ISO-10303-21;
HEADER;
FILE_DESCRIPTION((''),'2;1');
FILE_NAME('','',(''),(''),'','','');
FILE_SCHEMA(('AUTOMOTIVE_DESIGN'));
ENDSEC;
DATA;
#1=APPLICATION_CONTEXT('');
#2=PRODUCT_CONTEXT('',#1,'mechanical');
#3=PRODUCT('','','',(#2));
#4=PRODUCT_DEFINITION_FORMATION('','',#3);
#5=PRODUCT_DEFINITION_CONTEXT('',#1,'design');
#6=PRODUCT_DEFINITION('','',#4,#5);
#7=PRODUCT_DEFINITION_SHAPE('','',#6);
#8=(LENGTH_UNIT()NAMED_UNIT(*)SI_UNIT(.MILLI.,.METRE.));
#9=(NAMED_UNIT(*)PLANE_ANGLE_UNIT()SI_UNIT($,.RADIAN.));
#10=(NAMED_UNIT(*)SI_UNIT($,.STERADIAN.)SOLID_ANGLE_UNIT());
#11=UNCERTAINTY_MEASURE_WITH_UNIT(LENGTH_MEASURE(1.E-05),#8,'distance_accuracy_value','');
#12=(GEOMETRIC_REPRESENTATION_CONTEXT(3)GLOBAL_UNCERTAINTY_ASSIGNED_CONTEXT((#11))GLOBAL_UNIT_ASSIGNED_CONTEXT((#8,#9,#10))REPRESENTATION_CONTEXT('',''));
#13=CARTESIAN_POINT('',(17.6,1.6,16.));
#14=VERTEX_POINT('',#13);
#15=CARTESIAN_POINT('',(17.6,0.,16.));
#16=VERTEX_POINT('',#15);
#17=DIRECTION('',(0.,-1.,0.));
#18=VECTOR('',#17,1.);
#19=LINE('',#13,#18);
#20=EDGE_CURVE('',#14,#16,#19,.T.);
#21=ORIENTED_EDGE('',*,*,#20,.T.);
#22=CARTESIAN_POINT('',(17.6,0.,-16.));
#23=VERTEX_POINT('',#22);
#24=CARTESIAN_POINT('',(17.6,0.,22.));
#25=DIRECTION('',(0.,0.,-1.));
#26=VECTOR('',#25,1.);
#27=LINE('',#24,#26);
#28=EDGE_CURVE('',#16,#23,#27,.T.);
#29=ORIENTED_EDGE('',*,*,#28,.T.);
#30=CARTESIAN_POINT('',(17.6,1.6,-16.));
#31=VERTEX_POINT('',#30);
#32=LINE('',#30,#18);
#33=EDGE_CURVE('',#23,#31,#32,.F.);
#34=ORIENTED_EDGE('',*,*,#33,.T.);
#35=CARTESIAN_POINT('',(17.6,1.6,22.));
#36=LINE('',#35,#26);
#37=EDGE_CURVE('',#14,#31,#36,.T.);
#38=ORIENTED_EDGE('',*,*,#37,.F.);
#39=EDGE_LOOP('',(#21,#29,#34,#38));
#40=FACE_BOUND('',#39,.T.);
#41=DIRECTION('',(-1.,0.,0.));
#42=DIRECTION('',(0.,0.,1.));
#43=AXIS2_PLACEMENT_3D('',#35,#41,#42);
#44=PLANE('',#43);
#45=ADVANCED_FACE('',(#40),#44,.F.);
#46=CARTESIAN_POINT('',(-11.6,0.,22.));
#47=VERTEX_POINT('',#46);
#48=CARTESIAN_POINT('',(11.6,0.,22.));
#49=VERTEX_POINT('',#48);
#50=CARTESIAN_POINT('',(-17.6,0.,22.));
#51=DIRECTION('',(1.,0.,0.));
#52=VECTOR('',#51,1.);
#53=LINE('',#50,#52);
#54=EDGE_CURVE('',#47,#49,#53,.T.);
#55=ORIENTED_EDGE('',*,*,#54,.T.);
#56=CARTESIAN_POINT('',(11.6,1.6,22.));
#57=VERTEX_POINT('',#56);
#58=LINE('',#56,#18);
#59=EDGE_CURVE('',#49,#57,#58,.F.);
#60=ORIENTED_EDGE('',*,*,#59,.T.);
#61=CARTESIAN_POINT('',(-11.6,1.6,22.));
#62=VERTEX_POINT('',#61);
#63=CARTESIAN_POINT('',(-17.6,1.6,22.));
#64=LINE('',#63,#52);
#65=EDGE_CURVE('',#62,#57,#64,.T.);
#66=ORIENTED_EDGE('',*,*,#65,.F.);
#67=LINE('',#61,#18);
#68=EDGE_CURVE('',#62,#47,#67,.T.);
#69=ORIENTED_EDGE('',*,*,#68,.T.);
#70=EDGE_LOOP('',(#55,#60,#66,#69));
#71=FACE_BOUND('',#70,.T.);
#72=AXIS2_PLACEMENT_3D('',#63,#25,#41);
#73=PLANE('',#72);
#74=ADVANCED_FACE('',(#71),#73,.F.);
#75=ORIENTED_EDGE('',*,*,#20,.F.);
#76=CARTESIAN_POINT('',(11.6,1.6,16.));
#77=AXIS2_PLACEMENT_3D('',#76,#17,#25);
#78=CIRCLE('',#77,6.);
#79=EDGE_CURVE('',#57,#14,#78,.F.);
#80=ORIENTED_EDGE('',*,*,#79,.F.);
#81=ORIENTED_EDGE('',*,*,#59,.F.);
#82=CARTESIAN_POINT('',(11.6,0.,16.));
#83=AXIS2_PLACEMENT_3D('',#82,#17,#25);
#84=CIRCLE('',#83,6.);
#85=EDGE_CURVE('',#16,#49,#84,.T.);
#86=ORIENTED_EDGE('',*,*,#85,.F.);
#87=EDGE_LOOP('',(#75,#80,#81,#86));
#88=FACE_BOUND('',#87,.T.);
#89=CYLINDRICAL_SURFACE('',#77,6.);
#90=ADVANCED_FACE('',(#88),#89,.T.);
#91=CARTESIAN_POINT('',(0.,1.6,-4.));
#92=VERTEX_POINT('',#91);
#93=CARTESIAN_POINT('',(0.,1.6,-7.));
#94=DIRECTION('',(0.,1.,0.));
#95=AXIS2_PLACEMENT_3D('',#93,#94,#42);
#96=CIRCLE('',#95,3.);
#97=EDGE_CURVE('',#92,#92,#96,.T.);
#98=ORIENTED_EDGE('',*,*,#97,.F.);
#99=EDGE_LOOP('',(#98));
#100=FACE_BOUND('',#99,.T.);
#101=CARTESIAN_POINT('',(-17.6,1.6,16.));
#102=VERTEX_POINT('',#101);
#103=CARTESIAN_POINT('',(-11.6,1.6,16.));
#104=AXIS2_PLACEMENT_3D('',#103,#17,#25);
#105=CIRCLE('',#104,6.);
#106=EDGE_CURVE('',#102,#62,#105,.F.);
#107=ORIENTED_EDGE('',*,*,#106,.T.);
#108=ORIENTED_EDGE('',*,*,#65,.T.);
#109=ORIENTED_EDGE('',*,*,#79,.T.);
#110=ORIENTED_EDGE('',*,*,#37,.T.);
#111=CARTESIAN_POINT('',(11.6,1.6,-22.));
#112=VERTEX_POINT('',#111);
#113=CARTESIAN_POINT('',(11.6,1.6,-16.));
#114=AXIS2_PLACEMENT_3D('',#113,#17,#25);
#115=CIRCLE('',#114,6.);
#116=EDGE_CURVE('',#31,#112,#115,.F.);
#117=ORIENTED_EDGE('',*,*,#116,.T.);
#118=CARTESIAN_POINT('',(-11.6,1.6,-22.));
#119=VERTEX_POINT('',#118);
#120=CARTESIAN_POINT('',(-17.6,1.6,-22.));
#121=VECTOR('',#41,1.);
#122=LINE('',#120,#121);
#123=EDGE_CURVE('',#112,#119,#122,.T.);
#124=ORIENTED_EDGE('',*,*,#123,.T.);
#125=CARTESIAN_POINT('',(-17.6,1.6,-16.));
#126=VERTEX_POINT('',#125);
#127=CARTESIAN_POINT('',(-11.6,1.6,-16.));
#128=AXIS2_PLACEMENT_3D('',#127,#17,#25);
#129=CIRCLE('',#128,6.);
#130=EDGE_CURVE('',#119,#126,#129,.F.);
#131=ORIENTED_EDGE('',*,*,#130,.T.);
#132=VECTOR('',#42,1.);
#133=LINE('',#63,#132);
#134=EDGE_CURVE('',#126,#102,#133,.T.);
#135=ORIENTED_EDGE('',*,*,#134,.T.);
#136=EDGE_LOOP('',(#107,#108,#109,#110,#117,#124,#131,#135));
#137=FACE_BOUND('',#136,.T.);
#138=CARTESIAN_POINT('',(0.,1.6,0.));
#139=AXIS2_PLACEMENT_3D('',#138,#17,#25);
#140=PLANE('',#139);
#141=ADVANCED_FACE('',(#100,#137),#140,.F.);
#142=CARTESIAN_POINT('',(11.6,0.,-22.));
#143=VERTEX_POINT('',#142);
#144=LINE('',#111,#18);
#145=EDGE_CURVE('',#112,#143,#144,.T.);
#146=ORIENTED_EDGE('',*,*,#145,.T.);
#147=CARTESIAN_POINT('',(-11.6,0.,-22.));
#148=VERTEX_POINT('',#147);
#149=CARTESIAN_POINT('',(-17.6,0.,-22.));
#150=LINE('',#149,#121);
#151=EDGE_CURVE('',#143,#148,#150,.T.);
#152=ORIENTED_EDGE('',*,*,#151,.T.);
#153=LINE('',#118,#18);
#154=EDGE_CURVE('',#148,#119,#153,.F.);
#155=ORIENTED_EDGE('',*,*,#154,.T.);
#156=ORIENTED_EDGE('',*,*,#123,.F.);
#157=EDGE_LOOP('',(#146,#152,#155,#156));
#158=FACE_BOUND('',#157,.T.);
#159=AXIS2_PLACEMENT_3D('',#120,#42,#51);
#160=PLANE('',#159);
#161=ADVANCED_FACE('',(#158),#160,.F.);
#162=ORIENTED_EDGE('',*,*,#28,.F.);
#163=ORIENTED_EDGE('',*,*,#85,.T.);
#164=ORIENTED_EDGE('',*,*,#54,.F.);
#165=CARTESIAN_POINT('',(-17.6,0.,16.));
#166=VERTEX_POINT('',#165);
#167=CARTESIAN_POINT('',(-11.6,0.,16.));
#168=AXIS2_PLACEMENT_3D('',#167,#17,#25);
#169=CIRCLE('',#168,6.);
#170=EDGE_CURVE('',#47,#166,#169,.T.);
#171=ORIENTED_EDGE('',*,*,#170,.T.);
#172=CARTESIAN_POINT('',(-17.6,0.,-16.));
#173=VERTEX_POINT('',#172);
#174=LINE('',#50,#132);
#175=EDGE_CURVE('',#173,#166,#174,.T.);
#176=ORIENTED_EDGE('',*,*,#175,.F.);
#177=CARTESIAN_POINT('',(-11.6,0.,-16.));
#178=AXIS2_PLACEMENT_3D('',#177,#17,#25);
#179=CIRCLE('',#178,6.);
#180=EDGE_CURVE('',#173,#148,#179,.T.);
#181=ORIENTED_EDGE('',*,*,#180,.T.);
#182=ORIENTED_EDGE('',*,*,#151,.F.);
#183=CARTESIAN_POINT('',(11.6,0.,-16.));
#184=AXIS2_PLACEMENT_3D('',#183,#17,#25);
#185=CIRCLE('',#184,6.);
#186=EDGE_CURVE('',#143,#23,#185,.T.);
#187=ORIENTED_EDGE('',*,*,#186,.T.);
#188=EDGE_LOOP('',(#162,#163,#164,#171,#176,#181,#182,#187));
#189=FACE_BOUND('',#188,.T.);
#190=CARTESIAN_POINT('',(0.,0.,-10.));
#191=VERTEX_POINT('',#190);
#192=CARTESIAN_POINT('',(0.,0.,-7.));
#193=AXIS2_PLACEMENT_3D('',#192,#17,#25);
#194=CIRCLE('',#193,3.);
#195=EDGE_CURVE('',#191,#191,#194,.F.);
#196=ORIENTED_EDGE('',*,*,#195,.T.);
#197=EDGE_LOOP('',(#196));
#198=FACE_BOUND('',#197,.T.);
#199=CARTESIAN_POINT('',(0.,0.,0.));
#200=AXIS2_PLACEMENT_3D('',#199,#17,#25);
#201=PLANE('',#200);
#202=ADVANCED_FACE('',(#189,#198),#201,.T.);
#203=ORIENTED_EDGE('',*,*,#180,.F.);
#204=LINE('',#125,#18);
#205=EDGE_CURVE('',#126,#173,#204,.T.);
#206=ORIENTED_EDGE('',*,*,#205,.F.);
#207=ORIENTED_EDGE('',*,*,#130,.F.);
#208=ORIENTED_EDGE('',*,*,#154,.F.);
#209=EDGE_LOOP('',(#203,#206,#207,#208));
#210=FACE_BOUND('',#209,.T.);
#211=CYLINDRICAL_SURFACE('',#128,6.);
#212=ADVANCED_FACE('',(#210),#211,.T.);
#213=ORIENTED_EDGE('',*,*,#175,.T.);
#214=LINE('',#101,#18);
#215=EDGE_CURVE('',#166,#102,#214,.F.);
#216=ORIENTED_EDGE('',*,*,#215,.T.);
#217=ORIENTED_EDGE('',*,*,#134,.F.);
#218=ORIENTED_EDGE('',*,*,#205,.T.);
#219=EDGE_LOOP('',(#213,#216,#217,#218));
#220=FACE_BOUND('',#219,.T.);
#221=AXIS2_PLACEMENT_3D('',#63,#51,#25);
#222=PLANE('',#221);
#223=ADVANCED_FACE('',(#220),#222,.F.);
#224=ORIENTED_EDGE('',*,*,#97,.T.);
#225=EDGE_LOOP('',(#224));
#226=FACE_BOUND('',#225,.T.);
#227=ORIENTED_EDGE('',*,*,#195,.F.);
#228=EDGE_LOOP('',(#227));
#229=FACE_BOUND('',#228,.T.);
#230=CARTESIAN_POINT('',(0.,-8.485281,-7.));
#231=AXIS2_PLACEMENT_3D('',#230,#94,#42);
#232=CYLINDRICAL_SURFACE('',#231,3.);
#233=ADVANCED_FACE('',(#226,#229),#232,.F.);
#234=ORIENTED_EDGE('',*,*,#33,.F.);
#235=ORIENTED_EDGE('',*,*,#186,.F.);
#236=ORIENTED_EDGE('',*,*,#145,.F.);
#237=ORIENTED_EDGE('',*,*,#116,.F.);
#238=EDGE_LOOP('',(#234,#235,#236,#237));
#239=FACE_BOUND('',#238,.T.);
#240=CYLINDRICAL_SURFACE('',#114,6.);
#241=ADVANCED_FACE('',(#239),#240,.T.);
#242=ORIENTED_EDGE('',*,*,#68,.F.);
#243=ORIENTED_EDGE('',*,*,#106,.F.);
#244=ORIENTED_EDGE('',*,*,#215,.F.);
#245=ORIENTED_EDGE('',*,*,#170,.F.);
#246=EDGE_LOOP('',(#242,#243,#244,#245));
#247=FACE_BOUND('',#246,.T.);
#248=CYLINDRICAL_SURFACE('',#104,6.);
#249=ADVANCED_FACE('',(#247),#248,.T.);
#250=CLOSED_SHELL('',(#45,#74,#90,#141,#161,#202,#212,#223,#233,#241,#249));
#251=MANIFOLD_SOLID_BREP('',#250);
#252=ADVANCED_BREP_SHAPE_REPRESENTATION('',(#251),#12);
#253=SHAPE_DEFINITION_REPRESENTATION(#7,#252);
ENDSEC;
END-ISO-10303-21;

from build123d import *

# Parameters (mm, degrees)
SKETCH1_W           = 35.2
SKETCH1_H           = 44
BOSS_EXTRUDE1_DEPTH = 1.6
FILLET1_R           = 6
SKETCH2_R           = 3
CUT_EXTRUDE1_DEPTH  = 1.6


with BuildPart() as part:
    # Sketch1 → Boss-Extrude1 (new body)
    with BuildSketch(Plane(origin=(0, 0, 0), x_dir=(1, 0, 0), z_dir=(0, 1, 0))):
        Rectangle(SKETCH1_W, SKETCH1_H)
    extrude(amount=BOSS_EXTRUDE1_DEPTH)

    # Fillet1
    fillet1_edges = [part.edges().sort_by_distance(p)[0] for p in [
        (17.6, 0.8, 22),
        (-17.6, 0.8, 22),
        (-17.6, 0.8, -22),
        (17.6, 0.8, -22),
    ]]
    fillet(fillet1_edges, radius=FILLET1_R)

    # Sketch2 → Cut-Extrude1 (cut)
    with BuildSketch(Plane(origin=(0, 1.6, 0), x_dir=(1, 0, 0), z_dir=(0, 1, 0))):
        with Locations(Location((0, 7, 0), (0, 0, 270))):
            Circle(SKETCH2_R)
    extrude(amount=-CUT_EXTRUDE1_DEPTH, mode=Mode.SUBTRACT)


solid = part.part
